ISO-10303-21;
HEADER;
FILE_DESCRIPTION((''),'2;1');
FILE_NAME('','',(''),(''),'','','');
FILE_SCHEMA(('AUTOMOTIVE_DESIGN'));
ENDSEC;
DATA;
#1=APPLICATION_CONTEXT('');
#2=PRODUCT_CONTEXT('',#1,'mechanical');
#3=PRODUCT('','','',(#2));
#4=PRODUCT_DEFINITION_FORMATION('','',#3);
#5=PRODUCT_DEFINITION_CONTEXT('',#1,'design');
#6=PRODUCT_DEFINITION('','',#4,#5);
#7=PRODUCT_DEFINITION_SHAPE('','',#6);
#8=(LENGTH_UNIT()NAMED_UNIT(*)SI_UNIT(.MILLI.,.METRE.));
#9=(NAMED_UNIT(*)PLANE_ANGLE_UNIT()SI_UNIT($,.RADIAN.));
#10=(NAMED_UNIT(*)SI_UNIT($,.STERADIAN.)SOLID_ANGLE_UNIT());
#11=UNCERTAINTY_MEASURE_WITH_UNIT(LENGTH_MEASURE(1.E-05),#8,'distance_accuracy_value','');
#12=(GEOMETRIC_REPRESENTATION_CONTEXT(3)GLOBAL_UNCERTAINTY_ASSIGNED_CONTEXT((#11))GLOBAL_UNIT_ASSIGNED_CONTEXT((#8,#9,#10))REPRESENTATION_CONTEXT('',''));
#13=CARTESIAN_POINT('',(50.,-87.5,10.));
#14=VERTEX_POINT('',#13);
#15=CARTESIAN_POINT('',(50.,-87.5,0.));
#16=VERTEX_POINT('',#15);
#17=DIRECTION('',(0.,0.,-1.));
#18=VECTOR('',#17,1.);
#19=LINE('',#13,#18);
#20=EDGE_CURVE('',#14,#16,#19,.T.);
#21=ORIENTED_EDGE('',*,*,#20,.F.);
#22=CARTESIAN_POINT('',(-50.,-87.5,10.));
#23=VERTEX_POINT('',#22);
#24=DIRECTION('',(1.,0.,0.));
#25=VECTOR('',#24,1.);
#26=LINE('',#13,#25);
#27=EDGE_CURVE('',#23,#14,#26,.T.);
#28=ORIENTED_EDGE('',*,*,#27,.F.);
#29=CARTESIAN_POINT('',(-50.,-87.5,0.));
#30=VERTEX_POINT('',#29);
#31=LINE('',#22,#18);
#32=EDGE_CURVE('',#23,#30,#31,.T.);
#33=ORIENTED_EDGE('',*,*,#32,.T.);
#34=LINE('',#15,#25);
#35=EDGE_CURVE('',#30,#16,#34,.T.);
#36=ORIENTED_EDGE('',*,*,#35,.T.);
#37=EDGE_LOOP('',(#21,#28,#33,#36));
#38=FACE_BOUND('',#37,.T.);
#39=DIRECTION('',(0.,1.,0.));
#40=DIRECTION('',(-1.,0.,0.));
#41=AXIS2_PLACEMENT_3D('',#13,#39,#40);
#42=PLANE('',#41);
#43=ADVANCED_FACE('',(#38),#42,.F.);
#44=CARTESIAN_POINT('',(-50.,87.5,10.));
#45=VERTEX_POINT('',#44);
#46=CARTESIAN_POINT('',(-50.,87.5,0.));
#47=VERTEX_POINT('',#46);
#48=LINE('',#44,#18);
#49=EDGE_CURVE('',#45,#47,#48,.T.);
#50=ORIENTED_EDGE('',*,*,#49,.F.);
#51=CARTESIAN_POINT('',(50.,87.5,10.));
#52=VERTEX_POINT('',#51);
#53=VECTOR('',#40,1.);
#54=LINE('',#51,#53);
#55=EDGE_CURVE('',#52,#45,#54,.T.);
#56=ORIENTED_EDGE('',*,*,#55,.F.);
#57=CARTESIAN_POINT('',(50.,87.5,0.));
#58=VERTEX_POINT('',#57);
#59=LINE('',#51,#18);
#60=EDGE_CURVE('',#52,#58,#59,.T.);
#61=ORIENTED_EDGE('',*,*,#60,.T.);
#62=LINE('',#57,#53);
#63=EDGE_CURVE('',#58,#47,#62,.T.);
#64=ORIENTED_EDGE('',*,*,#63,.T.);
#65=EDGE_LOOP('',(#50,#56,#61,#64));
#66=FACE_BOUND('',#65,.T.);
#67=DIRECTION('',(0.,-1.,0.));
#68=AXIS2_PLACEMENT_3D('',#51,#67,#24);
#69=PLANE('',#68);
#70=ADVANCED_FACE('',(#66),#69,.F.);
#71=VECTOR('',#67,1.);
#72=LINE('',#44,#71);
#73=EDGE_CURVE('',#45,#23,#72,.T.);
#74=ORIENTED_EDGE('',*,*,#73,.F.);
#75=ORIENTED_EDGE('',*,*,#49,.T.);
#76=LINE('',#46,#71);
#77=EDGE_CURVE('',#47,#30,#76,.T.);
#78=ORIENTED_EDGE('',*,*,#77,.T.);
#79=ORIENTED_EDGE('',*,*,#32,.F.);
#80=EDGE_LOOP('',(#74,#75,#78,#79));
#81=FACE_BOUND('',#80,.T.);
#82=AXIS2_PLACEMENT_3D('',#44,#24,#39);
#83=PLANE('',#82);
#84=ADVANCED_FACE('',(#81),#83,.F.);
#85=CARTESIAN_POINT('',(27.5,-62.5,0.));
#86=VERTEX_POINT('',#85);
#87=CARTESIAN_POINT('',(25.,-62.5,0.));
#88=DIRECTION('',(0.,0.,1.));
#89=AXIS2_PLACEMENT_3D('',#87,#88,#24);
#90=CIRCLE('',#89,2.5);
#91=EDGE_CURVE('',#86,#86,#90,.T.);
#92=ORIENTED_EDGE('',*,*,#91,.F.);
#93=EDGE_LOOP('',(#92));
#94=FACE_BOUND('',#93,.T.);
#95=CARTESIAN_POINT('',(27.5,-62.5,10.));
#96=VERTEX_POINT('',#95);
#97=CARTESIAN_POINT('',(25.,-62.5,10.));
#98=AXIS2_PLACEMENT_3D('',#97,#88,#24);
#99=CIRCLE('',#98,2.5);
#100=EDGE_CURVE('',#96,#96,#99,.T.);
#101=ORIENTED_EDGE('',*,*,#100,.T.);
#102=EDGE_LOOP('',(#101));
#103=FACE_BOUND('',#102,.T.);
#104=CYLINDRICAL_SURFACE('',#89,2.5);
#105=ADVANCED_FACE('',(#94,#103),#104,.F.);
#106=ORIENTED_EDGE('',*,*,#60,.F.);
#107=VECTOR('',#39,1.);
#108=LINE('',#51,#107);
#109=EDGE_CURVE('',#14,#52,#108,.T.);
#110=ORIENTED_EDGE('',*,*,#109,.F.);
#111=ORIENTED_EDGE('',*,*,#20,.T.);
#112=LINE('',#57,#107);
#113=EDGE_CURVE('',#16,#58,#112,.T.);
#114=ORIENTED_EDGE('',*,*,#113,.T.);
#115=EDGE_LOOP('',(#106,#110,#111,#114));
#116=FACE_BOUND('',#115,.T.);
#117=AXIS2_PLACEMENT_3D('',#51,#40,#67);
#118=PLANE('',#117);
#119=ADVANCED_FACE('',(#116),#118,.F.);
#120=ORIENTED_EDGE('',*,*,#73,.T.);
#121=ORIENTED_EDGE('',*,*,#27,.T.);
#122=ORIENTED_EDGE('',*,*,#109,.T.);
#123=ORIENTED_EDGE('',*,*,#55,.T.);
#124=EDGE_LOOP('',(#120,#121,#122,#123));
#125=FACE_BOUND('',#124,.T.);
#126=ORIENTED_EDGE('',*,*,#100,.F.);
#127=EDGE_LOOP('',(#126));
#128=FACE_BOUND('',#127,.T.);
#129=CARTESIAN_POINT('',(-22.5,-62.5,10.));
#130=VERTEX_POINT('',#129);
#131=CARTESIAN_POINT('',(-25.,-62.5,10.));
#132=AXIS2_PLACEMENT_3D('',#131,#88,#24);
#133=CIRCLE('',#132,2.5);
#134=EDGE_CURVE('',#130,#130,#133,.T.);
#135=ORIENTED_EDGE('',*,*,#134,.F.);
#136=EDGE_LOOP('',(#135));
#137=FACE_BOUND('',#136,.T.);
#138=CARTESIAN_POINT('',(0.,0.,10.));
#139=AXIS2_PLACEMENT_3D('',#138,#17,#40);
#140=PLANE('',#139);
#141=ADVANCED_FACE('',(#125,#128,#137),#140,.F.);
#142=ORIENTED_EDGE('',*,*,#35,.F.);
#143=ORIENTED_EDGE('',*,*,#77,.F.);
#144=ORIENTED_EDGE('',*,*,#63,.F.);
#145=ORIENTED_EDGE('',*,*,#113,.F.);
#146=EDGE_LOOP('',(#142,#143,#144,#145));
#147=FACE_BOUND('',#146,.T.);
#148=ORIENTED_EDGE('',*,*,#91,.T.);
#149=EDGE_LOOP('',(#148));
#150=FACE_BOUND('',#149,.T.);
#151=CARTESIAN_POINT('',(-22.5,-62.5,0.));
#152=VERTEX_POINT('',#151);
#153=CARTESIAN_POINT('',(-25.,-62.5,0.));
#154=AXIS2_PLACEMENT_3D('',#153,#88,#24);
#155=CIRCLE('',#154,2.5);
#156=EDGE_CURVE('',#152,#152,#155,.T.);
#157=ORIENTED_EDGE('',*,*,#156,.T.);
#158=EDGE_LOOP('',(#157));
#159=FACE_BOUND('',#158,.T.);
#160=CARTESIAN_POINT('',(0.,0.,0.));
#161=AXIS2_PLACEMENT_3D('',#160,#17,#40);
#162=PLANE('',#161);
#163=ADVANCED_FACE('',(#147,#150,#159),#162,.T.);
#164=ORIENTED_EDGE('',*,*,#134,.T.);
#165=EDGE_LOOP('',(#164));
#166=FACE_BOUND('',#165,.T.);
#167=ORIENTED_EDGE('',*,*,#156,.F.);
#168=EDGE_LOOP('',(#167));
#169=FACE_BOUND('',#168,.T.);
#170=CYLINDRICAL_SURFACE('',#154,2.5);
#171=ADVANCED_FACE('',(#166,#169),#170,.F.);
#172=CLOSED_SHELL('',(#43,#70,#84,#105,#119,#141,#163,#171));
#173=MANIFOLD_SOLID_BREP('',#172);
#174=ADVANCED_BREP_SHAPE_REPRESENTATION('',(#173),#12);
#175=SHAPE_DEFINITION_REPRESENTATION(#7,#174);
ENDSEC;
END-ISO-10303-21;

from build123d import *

# Parameters (mm, degrees)
ESBO_O1_W                = 100
ESBO_O1_H                = 175
RESSALTO_EXTRUS_O1_DEPTH = 10
ESBO_O2_R                = 2.5
CORTE_EXTRUS_O1_DEPTH    = 102.273145503


with BuildPart() as part:
    # Esboço1 → Ressalto-extrusão1 (new body)
    with BuildSketch(Plane.XY):
        Rectangle(ESBO_O1_W, ESBO_O1_H)
    extrude(amount=RESSALTO_EXTRUS_O1_DEPTH)

    # Esboço2 → Corte-extrusão1 (cut, through all)
    with BuildSketch(Plane.XY.offset(10)):
        with Locations((-25, -62.5)):
            Circle(ESBO_O2_R)
        with Locations((25, -62.5)):
            Circle(ESBO_O2_R)
    extrude(amount=-CORTE_EXTRUS_O1_DEPTH, mode=Mode.SUBTRACT)


solid = part.part
